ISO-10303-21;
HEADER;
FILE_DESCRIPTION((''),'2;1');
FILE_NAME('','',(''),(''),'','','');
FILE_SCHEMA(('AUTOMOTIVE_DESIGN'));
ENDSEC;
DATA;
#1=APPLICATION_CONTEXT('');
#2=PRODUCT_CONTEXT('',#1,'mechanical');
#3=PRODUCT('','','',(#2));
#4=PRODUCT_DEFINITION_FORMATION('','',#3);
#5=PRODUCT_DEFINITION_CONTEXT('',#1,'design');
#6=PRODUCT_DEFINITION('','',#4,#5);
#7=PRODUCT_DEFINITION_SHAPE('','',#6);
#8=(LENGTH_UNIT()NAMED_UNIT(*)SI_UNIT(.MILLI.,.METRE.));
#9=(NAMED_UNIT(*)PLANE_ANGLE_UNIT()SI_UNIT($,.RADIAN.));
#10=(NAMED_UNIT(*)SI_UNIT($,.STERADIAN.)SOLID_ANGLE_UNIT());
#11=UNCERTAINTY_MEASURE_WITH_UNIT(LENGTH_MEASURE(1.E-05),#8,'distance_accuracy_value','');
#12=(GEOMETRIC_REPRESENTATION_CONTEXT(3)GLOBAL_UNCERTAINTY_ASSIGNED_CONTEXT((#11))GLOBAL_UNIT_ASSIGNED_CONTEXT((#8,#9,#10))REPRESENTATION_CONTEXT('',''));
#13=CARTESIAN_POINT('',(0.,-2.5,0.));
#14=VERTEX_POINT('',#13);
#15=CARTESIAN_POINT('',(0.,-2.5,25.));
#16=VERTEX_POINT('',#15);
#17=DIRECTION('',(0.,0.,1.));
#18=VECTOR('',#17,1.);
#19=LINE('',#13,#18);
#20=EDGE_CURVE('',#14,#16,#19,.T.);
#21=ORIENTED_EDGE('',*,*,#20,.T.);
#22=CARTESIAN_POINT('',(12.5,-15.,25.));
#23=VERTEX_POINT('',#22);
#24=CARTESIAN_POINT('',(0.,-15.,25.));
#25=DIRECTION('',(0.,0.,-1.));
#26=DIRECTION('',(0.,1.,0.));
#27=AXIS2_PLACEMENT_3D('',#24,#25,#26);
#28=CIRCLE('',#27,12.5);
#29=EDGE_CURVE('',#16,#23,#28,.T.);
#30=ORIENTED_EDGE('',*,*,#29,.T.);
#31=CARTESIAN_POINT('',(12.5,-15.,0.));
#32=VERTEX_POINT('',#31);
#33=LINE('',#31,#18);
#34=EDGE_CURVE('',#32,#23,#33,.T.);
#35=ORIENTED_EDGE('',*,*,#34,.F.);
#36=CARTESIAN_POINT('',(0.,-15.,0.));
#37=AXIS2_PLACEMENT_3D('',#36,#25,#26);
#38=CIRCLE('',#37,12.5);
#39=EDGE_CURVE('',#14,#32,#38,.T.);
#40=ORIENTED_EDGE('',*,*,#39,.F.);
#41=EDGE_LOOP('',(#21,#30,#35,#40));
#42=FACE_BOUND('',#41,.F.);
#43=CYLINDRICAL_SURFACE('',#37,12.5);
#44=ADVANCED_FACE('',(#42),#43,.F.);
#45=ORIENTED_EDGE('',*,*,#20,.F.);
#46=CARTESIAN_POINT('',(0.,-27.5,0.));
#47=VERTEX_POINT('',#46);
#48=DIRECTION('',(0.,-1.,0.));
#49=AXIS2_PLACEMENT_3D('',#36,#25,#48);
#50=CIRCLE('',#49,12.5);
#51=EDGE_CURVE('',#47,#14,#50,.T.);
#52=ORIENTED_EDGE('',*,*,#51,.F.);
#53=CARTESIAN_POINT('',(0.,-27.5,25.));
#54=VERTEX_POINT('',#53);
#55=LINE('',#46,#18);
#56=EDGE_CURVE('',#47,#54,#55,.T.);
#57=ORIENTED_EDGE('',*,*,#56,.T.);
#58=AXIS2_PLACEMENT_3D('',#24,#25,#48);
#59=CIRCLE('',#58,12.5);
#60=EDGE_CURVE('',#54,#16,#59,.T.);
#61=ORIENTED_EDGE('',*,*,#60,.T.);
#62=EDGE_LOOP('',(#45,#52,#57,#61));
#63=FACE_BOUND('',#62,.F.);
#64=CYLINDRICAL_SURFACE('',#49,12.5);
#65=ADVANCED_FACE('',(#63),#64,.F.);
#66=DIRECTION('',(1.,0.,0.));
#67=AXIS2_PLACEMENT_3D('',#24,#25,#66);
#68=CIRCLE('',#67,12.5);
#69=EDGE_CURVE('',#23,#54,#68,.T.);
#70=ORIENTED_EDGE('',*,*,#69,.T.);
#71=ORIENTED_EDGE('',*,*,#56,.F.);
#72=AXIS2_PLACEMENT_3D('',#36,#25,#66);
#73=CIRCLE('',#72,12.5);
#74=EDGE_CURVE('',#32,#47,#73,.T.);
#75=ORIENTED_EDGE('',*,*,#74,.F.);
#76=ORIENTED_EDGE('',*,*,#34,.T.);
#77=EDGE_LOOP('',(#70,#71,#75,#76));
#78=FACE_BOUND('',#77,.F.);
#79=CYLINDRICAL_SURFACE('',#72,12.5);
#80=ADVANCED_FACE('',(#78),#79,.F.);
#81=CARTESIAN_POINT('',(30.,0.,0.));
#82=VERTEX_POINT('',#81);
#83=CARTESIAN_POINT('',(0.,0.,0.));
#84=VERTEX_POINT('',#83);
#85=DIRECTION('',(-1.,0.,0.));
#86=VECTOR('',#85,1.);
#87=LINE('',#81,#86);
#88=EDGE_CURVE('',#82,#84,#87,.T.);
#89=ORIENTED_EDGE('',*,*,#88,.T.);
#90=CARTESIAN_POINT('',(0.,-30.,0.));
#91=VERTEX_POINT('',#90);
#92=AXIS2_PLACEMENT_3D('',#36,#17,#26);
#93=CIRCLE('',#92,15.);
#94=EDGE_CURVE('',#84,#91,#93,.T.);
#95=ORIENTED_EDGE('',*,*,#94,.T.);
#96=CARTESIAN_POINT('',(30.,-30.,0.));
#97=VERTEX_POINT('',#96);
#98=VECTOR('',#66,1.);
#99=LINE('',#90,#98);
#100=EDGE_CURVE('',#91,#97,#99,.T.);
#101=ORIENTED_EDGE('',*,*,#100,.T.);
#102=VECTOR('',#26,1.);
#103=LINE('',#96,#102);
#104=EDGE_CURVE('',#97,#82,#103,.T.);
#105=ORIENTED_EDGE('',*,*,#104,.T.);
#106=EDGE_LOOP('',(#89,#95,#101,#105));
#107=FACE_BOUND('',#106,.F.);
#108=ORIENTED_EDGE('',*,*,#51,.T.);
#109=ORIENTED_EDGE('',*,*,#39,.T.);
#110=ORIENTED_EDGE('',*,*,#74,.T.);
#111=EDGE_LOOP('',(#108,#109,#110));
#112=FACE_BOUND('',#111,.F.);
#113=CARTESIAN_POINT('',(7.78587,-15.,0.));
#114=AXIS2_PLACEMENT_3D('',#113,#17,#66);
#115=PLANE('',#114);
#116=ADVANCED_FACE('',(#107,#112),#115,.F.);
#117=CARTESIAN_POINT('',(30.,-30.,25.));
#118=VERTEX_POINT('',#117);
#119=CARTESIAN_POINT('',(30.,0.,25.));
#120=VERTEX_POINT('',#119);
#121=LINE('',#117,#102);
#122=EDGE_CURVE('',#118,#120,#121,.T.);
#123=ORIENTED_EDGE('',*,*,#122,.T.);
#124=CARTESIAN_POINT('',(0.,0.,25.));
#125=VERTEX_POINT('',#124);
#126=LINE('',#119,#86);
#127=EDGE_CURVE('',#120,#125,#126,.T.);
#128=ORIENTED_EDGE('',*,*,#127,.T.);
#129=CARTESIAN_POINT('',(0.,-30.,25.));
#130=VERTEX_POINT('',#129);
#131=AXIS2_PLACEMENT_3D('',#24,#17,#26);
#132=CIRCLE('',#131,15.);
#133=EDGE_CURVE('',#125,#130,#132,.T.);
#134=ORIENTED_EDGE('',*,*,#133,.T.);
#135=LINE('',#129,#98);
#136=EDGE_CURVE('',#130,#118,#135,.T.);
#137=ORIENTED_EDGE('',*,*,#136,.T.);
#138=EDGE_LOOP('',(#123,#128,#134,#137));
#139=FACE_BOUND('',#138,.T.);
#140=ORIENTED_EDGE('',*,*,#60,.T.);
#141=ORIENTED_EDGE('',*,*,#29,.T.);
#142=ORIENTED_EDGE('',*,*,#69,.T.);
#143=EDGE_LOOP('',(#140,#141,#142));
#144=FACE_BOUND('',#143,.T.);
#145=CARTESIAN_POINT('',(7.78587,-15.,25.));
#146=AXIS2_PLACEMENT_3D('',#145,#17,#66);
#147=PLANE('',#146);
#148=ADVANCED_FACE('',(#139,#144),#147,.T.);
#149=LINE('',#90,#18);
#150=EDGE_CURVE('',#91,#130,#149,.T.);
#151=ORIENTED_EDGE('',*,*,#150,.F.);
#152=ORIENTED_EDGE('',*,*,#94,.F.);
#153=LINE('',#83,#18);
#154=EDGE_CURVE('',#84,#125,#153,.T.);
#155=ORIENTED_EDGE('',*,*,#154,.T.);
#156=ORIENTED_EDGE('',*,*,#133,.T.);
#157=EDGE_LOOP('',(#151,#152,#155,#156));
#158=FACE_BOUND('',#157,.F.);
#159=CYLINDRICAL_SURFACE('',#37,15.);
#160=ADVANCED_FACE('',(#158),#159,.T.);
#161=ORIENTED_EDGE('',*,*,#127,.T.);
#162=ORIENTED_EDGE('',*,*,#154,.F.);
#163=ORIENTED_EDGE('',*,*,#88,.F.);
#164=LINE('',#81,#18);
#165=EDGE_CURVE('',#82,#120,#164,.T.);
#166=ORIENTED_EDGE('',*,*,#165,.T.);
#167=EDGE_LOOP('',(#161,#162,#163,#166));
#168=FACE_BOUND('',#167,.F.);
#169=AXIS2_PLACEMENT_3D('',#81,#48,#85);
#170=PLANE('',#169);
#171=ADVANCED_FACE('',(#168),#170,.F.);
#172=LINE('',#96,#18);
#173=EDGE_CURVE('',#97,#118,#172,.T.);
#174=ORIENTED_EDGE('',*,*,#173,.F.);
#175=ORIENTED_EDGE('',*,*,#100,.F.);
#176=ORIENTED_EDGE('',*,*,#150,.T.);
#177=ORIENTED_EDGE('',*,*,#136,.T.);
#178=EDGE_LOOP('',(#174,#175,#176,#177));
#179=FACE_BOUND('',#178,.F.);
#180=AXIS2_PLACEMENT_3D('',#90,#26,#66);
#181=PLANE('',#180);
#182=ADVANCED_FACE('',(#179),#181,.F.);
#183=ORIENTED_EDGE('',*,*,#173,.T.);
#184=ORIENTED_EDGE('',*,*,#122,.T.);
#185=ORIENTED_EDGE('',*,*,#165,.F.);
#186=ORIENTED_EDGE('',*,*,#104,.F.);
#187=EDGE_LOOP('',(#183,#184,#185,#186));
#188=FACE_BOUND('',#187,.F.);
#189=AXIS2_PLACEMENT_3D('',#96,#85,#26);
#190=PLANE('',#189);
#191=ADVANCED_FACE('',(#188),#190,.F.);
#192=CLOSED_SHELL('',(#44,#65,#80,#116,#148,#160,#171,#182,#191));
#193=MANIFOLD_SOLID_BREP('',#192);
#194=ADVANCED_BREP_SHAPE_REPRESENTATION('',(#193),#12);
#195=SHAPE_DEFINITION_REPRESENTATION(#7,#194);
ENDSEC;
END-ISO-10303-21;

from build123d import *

# Parameters (mm, degrees)
F1_DEPTH = 25


with BuildPart() as f1:
    # F0 (on Top) → F1 (new body)
    with BuildSketch(Plane.XY):
        with BuildLine():
            ThreePointArc((15, -15), (10.6066017178, -4.3933982822), (0, 0))
            Line((0, 0), (0, -2.5))
            ThreePointArc((0, -2.5), (8.8388347648, -6.1611652352), (12.5, -15))
            ThreePointArc((12.5, -15), (8.8388347648, -23.8388347648), (0, -27.5))
            Line((0, -27.5), (0, -30))
            ThreePointArc((0, -30), (10.6066017178, -25.6066017178), (15, -15))
        make_face()
        with BuildLine():
            Line((30, 0), (0, 0))
            ThreePointArc((0, 0), (10.6066017178, -4.3933982822), (15, -15))
            ThreePointArc((15, -15), (10.6066017178, -25.6066017178), (0, -30))
            Line((0, -30), (30, -30))
            Line((30, -30), (30, 0))
        make_face()
        with BuildLine():
            Line((0, -2.5), (0, 0))
            ThreePointArc((0, 0), (-15, -15), (0, -30))
            Line((0, -30), (0, -27.5))
            ThreePointArc((0, -27.5), (-12.5, -15), (0, -2.5))
        make_face()
    extrude(amount=F1_DEPTH)


solid = f1.part
